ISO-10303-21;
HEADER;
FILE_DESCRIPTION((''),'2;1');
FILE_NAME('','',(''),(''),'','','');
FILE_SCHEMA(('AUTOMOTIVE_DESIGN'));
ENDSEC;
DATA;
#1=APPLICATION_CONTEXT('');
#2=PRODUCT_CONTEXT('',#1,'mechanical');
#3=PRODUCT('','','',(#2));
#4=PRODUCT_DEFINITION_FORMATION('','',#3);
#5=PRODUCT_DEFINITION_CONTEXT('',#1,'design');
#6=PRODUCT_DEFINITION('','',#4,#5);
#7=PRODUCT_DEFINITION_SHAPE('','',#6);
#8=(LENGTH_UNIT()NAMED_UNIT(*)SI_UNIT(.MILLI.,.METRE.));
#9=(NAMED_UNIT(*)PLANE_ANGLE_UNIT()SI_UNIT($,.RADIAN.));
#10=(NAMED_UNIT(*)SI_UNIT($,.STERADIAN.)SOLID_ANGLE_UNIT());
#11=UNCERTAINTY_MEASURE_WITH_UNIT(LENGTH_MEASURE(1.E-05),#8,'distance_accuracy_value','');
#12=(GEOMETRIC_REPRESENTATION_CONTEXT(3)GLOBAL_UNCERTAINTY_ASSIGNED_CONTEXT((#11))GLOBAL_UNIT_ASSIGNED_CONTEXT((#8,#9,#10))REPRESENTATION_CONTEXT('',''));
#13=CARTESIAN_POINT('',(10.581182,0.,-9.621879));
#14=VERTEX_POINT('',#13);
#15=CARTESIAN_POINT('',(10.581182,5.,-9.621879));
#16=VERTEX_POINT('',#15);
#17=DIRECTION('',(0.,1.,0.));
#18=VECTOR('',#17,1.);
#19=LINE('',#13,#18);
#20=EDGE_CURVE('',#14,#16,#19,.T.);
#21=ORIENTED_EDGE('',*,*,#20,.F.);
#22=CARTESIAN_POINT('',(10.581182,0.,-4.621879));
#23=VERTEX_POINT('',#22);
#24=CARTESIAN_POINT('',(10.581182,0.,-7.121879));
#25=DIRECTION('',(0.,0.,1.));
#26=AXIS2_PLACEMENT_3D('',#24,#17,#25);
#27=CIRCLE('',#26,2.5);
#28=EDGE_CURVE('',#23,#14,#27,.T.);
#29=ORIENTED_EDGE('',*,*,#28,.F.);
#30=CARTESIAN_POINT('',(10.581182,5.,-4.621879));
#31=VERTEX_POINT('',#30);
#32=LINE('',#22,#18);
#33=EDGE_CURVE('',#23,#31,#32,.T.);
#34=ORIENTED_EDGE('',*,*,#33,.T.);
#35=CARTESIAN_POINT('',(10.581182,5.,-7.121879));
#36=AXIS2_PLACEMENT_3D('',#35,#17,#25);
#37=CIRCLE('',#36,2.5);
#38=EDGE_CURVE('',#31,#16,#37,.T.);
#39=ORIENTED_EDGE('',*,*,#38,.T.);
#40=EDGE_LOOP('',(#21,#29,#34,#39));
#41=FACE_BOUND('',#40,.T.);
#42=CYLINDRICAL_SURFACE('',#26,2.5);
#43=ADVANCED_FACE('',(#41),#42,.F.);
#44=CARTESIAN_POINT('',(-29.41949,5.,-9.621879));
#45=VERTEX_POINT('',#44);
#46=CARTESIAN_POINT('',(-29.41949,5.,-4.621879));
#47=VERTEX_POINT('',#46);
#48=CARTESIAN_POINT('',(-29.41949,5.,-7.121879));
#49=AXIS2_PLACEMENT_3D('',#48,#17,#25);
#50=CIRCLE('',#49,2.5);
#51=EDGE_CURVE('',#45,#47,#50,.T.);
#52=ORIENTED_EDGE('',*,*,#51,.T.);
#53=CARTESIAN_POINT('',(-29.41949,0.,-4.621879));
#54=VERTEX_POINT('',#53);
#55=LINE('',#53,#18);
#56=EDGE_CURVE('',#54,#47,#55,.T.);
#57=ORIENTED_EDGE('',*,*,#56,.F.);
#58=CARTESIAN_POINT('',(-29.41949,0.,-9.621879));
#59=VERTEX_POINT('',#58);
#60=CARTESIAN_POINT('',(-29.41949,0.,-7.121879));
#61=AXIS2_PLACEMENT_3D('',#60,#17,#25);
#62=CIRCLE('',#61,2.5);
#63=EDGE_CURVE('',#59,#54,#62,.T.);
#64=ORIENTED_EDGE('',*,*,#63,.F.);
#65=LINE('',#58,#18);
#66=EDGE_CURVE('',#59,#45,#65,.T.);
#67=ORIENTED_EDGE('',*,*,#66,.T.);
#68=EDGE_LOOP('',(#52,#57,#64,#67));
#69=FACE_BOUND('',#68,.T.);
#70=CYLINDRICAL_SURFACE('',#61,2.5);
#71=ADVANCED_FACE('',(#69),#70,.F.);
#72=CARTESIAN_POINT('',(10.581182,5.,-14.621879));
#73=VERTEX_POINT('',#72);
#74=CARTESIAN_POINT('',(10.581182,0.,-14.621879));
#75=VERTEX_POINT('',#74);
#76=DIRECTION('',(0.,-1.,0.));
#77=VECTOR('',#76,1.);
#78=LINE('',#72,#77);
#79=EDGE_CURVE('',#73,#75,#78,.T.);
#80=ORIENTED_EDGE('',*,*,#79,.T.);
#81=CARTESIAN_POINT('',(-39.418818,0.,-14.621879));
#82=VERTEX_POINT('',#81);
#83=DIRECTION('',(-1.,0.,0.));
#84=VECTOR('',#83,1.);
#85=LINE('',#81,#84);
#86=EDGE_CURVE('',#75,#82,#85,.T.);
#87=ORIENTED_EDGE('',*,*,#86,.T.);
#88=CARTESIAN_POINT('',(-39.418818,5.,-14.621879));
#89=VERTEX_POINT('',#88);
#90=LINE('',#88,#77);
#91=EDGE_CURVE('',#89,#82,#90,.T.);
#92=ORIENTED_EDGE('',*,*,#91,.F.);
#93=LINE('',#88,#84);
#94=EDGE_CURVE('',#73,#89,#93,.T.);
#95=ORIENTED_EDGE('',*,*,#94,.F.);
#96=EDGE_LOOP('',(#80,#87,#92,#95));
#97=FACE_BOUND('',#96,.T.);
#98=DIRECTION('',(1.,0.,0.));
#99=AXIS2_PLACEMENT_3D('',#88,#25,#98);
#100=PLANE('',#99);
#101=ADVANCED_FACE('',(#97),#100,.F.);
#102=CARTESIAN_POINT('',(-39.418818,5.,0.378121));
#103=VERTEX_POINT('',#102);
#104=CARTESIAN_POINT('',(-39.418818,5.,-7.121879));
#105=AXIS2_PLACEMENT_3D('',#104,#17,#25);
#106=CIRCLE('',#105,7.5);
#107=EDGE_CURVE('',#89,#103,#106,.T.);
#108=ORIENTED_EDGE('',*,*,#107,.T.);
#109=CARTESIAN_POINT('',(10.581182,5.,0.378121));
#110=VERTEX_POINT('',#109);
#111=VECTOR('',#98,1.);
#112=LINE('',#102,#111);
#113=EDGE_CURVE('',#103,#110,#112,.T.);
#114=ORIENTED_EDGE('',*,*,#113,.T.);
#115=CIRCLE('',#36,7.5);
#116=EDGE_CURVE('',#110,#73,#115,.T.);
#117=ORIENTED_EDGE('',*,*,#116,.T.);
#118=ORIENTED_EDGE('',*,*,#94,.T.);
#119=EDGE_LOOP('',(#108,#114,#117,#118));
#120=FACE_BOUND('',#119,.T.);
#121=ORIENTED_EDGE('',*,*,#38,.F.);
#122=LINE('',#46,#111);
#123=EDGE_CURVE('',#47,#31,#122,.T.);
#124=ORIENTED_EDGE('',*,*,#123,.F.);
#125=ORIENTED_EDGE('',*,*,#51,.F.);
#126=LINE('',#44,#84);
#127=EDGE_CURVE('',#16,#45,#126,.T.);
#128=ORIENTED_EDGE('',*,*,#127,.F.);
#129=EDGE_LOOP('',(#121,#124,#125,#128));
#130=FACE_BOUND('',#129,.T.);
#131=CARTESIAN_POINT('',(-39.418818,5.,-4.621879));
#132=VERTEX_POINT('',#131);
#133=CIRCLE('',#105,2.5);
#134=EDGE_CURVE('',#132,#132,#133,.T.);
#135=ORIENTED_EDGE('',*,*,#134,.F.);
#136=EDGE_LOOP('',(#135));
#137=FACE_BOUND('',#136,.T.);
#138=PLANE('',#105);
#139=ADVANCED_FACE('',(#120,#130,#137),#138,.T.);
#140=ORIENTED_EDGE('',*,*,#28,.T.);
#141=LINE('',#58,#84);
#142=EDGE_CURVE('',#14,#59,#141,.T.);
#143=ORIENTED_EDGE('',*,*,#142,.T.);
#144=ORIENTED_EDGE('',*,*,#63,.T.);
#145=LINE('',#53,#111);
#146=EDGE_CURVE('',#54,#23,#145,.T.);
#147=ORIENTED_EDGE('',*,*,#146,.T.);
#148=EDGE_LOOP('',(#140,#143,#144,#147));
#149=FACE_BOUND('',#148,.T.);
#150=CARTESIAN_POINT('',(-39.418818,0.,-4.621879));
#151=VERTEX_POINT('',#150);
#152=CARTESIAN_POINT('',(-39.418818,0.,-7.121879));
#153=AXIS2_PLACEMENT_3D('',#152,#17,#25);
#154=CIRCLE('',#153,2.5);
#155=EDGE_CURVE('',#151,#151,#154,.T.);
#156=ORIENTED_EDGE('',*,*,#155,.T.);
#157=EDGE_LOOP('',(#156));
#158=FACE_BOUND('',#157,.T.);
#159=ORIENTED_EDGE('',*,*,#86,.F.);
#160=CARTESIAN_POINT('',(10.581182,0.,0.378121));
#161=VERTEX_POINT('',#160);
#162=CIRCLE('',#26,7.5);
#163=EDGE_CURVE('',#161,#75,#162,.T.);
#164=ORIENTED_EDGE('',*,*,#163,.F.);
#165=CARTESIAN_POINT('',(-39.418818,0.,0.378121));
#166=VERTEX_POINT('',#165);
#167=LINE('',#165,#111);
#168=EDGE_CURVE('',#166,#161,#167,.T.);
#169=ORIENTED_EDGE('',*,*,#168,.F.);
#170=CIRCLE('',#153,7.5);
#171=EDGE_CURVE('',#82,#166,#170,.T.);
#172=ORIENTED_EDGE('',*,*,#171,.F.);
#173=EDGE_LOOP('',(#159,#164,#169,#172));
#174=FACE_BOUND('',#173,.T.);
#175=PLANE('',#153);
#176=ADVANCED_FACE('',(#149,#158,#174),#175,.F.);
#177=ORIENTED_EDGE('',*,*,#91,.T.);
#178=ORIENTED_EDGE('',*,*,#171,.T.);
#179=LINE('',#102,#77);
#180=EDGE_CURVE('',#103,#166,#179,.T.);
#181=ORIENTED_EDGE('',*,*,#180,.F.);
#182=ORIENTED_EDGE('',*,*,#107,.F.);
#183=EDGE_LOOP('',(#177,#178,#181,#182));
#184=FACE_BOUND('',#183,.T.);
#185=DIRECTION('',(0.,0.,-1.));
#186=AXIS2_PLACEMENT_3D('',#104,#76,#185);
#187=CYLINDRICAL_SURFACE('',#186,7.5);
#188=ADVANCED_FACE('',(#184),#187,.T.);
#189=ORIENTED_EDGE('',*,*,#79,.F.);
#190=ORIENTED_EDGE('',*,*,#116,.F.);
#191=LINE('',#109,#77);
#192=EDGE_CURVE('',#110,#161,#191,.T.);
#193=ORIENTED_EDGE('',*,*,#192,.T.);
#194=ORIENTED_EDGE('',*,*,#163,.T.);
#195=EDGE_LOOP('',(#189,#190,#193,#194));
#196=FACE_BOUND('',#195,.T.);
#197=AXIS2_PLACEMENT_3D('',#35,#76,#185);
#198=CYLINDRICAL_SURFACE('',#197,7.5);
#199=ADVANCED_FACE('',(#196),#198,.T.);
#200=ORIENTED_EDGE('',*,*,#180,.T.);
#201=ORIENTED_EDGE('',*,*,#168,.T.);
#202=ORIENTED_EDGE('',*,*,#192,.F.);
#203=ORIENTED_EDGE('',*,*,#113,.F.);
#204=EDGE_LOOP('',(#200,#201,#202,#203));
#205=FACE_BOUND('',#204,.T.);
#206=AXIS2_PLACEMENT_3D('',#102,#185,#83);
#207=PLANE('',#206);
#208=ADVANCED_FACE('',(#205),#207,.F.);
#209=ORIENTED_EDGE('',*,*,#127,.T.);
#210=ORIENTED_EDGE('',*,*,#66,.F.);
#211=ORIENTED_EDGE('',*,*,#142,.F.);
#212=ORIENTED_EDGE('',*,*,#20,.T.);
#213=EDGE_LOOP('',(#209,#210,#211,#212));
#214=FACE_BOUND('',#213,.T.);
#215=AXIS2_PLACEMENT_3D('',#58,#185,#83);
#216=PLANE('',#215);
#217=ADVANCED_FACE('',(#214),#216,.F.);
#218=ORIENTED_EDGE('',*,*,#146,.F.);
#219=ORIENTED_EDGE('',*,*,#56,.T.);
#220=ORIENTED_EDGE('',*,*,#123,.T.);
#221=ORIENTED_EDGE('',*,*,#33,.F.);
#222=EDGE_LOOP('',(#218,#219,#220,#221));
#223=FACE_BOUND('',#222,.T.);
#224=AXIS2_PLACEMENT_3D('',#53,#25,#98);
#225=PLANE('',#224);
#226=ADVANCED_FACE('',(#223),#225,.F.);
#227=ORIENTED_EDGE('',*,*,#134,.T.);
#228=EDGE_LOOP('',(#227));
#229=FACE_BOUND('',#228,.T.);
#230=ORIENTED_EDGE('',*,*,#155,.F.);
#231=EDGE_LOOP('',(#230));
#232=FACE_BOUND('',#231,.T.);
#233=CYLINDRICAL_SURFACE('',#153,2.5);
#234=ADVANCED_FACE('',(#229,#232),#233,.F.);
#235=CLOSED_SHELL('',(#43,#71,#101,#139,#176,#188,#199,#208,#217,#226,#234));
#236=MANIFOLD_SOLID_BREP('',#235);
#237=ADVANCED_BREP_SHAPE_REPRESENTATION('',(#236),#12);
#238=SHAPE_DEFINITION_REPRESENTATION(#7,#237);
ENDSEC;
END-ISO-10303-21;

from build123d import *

# Parameters (mm, degrees)
BOSS_EXTRUDE1_DEPTH = 5
SKETCH3_R           = 2.5
CUT_EXTRUDE1_DEPTH  = 5


with BuildPart() as part:
    # Sketch1 → Boss-Extrude1 (new body)
    with BuildSketch(Plane(origin=(0, 0, 0), x_dir=(1, 0, 0), z_dir=(0, 1, 0))):
        with BuildLine():
            Line((-39.418817776, 14.621878605), (10.581182224, 14.621878605))
            ThreePointArc((10.581182224, 14.621878605), (18.081182224, 7.121878605), (10.581182224, -0.378121395))
            Line((10.581182224, -0.378121395), (-39.418817776, -0.378121395))
            ThreePointArc((-39.418817776, -0.378121395), (-46.918817776, 7.121878605), (-39.418817776, 14.621878605))
        make_face()
    extrude(amount=BOSS_EXTRUDE1_DEPTH)

    # Sketch3 → Cut-Extrude1 (cut)
    with BuildSketch(Plane(origin=(0, 5, 0), x_dir=(1, 0, 0), z_dir=(0, 1, 0))):
        with Locations(Location((-39.418817776, 7.121878605, 0), (0, 0, 270))):
            Circle(SKETCH3_R)
        with BuildLine():
            Line((-29.419490327, 9.621878605), (10.581182224, 9.621878605))
            ThreePointArc((10.581182224, 9.621878605), (13.081182224, 7.121878605), (10.581182224, 4.621878605))
            Line((10.581182224, 4.621878605), (-29.419490327, 4.621878605))
            ThreePointArc((-29.419490327, 4.621878605), (-31.919490327, 7.121878605), (-29.419490327, 9.621878605))
        make_face()
    extrude(amount=-CUT_EXTRUDE1_DEPTH, mode=Mode.SUBTRACT)


solid = part.part
